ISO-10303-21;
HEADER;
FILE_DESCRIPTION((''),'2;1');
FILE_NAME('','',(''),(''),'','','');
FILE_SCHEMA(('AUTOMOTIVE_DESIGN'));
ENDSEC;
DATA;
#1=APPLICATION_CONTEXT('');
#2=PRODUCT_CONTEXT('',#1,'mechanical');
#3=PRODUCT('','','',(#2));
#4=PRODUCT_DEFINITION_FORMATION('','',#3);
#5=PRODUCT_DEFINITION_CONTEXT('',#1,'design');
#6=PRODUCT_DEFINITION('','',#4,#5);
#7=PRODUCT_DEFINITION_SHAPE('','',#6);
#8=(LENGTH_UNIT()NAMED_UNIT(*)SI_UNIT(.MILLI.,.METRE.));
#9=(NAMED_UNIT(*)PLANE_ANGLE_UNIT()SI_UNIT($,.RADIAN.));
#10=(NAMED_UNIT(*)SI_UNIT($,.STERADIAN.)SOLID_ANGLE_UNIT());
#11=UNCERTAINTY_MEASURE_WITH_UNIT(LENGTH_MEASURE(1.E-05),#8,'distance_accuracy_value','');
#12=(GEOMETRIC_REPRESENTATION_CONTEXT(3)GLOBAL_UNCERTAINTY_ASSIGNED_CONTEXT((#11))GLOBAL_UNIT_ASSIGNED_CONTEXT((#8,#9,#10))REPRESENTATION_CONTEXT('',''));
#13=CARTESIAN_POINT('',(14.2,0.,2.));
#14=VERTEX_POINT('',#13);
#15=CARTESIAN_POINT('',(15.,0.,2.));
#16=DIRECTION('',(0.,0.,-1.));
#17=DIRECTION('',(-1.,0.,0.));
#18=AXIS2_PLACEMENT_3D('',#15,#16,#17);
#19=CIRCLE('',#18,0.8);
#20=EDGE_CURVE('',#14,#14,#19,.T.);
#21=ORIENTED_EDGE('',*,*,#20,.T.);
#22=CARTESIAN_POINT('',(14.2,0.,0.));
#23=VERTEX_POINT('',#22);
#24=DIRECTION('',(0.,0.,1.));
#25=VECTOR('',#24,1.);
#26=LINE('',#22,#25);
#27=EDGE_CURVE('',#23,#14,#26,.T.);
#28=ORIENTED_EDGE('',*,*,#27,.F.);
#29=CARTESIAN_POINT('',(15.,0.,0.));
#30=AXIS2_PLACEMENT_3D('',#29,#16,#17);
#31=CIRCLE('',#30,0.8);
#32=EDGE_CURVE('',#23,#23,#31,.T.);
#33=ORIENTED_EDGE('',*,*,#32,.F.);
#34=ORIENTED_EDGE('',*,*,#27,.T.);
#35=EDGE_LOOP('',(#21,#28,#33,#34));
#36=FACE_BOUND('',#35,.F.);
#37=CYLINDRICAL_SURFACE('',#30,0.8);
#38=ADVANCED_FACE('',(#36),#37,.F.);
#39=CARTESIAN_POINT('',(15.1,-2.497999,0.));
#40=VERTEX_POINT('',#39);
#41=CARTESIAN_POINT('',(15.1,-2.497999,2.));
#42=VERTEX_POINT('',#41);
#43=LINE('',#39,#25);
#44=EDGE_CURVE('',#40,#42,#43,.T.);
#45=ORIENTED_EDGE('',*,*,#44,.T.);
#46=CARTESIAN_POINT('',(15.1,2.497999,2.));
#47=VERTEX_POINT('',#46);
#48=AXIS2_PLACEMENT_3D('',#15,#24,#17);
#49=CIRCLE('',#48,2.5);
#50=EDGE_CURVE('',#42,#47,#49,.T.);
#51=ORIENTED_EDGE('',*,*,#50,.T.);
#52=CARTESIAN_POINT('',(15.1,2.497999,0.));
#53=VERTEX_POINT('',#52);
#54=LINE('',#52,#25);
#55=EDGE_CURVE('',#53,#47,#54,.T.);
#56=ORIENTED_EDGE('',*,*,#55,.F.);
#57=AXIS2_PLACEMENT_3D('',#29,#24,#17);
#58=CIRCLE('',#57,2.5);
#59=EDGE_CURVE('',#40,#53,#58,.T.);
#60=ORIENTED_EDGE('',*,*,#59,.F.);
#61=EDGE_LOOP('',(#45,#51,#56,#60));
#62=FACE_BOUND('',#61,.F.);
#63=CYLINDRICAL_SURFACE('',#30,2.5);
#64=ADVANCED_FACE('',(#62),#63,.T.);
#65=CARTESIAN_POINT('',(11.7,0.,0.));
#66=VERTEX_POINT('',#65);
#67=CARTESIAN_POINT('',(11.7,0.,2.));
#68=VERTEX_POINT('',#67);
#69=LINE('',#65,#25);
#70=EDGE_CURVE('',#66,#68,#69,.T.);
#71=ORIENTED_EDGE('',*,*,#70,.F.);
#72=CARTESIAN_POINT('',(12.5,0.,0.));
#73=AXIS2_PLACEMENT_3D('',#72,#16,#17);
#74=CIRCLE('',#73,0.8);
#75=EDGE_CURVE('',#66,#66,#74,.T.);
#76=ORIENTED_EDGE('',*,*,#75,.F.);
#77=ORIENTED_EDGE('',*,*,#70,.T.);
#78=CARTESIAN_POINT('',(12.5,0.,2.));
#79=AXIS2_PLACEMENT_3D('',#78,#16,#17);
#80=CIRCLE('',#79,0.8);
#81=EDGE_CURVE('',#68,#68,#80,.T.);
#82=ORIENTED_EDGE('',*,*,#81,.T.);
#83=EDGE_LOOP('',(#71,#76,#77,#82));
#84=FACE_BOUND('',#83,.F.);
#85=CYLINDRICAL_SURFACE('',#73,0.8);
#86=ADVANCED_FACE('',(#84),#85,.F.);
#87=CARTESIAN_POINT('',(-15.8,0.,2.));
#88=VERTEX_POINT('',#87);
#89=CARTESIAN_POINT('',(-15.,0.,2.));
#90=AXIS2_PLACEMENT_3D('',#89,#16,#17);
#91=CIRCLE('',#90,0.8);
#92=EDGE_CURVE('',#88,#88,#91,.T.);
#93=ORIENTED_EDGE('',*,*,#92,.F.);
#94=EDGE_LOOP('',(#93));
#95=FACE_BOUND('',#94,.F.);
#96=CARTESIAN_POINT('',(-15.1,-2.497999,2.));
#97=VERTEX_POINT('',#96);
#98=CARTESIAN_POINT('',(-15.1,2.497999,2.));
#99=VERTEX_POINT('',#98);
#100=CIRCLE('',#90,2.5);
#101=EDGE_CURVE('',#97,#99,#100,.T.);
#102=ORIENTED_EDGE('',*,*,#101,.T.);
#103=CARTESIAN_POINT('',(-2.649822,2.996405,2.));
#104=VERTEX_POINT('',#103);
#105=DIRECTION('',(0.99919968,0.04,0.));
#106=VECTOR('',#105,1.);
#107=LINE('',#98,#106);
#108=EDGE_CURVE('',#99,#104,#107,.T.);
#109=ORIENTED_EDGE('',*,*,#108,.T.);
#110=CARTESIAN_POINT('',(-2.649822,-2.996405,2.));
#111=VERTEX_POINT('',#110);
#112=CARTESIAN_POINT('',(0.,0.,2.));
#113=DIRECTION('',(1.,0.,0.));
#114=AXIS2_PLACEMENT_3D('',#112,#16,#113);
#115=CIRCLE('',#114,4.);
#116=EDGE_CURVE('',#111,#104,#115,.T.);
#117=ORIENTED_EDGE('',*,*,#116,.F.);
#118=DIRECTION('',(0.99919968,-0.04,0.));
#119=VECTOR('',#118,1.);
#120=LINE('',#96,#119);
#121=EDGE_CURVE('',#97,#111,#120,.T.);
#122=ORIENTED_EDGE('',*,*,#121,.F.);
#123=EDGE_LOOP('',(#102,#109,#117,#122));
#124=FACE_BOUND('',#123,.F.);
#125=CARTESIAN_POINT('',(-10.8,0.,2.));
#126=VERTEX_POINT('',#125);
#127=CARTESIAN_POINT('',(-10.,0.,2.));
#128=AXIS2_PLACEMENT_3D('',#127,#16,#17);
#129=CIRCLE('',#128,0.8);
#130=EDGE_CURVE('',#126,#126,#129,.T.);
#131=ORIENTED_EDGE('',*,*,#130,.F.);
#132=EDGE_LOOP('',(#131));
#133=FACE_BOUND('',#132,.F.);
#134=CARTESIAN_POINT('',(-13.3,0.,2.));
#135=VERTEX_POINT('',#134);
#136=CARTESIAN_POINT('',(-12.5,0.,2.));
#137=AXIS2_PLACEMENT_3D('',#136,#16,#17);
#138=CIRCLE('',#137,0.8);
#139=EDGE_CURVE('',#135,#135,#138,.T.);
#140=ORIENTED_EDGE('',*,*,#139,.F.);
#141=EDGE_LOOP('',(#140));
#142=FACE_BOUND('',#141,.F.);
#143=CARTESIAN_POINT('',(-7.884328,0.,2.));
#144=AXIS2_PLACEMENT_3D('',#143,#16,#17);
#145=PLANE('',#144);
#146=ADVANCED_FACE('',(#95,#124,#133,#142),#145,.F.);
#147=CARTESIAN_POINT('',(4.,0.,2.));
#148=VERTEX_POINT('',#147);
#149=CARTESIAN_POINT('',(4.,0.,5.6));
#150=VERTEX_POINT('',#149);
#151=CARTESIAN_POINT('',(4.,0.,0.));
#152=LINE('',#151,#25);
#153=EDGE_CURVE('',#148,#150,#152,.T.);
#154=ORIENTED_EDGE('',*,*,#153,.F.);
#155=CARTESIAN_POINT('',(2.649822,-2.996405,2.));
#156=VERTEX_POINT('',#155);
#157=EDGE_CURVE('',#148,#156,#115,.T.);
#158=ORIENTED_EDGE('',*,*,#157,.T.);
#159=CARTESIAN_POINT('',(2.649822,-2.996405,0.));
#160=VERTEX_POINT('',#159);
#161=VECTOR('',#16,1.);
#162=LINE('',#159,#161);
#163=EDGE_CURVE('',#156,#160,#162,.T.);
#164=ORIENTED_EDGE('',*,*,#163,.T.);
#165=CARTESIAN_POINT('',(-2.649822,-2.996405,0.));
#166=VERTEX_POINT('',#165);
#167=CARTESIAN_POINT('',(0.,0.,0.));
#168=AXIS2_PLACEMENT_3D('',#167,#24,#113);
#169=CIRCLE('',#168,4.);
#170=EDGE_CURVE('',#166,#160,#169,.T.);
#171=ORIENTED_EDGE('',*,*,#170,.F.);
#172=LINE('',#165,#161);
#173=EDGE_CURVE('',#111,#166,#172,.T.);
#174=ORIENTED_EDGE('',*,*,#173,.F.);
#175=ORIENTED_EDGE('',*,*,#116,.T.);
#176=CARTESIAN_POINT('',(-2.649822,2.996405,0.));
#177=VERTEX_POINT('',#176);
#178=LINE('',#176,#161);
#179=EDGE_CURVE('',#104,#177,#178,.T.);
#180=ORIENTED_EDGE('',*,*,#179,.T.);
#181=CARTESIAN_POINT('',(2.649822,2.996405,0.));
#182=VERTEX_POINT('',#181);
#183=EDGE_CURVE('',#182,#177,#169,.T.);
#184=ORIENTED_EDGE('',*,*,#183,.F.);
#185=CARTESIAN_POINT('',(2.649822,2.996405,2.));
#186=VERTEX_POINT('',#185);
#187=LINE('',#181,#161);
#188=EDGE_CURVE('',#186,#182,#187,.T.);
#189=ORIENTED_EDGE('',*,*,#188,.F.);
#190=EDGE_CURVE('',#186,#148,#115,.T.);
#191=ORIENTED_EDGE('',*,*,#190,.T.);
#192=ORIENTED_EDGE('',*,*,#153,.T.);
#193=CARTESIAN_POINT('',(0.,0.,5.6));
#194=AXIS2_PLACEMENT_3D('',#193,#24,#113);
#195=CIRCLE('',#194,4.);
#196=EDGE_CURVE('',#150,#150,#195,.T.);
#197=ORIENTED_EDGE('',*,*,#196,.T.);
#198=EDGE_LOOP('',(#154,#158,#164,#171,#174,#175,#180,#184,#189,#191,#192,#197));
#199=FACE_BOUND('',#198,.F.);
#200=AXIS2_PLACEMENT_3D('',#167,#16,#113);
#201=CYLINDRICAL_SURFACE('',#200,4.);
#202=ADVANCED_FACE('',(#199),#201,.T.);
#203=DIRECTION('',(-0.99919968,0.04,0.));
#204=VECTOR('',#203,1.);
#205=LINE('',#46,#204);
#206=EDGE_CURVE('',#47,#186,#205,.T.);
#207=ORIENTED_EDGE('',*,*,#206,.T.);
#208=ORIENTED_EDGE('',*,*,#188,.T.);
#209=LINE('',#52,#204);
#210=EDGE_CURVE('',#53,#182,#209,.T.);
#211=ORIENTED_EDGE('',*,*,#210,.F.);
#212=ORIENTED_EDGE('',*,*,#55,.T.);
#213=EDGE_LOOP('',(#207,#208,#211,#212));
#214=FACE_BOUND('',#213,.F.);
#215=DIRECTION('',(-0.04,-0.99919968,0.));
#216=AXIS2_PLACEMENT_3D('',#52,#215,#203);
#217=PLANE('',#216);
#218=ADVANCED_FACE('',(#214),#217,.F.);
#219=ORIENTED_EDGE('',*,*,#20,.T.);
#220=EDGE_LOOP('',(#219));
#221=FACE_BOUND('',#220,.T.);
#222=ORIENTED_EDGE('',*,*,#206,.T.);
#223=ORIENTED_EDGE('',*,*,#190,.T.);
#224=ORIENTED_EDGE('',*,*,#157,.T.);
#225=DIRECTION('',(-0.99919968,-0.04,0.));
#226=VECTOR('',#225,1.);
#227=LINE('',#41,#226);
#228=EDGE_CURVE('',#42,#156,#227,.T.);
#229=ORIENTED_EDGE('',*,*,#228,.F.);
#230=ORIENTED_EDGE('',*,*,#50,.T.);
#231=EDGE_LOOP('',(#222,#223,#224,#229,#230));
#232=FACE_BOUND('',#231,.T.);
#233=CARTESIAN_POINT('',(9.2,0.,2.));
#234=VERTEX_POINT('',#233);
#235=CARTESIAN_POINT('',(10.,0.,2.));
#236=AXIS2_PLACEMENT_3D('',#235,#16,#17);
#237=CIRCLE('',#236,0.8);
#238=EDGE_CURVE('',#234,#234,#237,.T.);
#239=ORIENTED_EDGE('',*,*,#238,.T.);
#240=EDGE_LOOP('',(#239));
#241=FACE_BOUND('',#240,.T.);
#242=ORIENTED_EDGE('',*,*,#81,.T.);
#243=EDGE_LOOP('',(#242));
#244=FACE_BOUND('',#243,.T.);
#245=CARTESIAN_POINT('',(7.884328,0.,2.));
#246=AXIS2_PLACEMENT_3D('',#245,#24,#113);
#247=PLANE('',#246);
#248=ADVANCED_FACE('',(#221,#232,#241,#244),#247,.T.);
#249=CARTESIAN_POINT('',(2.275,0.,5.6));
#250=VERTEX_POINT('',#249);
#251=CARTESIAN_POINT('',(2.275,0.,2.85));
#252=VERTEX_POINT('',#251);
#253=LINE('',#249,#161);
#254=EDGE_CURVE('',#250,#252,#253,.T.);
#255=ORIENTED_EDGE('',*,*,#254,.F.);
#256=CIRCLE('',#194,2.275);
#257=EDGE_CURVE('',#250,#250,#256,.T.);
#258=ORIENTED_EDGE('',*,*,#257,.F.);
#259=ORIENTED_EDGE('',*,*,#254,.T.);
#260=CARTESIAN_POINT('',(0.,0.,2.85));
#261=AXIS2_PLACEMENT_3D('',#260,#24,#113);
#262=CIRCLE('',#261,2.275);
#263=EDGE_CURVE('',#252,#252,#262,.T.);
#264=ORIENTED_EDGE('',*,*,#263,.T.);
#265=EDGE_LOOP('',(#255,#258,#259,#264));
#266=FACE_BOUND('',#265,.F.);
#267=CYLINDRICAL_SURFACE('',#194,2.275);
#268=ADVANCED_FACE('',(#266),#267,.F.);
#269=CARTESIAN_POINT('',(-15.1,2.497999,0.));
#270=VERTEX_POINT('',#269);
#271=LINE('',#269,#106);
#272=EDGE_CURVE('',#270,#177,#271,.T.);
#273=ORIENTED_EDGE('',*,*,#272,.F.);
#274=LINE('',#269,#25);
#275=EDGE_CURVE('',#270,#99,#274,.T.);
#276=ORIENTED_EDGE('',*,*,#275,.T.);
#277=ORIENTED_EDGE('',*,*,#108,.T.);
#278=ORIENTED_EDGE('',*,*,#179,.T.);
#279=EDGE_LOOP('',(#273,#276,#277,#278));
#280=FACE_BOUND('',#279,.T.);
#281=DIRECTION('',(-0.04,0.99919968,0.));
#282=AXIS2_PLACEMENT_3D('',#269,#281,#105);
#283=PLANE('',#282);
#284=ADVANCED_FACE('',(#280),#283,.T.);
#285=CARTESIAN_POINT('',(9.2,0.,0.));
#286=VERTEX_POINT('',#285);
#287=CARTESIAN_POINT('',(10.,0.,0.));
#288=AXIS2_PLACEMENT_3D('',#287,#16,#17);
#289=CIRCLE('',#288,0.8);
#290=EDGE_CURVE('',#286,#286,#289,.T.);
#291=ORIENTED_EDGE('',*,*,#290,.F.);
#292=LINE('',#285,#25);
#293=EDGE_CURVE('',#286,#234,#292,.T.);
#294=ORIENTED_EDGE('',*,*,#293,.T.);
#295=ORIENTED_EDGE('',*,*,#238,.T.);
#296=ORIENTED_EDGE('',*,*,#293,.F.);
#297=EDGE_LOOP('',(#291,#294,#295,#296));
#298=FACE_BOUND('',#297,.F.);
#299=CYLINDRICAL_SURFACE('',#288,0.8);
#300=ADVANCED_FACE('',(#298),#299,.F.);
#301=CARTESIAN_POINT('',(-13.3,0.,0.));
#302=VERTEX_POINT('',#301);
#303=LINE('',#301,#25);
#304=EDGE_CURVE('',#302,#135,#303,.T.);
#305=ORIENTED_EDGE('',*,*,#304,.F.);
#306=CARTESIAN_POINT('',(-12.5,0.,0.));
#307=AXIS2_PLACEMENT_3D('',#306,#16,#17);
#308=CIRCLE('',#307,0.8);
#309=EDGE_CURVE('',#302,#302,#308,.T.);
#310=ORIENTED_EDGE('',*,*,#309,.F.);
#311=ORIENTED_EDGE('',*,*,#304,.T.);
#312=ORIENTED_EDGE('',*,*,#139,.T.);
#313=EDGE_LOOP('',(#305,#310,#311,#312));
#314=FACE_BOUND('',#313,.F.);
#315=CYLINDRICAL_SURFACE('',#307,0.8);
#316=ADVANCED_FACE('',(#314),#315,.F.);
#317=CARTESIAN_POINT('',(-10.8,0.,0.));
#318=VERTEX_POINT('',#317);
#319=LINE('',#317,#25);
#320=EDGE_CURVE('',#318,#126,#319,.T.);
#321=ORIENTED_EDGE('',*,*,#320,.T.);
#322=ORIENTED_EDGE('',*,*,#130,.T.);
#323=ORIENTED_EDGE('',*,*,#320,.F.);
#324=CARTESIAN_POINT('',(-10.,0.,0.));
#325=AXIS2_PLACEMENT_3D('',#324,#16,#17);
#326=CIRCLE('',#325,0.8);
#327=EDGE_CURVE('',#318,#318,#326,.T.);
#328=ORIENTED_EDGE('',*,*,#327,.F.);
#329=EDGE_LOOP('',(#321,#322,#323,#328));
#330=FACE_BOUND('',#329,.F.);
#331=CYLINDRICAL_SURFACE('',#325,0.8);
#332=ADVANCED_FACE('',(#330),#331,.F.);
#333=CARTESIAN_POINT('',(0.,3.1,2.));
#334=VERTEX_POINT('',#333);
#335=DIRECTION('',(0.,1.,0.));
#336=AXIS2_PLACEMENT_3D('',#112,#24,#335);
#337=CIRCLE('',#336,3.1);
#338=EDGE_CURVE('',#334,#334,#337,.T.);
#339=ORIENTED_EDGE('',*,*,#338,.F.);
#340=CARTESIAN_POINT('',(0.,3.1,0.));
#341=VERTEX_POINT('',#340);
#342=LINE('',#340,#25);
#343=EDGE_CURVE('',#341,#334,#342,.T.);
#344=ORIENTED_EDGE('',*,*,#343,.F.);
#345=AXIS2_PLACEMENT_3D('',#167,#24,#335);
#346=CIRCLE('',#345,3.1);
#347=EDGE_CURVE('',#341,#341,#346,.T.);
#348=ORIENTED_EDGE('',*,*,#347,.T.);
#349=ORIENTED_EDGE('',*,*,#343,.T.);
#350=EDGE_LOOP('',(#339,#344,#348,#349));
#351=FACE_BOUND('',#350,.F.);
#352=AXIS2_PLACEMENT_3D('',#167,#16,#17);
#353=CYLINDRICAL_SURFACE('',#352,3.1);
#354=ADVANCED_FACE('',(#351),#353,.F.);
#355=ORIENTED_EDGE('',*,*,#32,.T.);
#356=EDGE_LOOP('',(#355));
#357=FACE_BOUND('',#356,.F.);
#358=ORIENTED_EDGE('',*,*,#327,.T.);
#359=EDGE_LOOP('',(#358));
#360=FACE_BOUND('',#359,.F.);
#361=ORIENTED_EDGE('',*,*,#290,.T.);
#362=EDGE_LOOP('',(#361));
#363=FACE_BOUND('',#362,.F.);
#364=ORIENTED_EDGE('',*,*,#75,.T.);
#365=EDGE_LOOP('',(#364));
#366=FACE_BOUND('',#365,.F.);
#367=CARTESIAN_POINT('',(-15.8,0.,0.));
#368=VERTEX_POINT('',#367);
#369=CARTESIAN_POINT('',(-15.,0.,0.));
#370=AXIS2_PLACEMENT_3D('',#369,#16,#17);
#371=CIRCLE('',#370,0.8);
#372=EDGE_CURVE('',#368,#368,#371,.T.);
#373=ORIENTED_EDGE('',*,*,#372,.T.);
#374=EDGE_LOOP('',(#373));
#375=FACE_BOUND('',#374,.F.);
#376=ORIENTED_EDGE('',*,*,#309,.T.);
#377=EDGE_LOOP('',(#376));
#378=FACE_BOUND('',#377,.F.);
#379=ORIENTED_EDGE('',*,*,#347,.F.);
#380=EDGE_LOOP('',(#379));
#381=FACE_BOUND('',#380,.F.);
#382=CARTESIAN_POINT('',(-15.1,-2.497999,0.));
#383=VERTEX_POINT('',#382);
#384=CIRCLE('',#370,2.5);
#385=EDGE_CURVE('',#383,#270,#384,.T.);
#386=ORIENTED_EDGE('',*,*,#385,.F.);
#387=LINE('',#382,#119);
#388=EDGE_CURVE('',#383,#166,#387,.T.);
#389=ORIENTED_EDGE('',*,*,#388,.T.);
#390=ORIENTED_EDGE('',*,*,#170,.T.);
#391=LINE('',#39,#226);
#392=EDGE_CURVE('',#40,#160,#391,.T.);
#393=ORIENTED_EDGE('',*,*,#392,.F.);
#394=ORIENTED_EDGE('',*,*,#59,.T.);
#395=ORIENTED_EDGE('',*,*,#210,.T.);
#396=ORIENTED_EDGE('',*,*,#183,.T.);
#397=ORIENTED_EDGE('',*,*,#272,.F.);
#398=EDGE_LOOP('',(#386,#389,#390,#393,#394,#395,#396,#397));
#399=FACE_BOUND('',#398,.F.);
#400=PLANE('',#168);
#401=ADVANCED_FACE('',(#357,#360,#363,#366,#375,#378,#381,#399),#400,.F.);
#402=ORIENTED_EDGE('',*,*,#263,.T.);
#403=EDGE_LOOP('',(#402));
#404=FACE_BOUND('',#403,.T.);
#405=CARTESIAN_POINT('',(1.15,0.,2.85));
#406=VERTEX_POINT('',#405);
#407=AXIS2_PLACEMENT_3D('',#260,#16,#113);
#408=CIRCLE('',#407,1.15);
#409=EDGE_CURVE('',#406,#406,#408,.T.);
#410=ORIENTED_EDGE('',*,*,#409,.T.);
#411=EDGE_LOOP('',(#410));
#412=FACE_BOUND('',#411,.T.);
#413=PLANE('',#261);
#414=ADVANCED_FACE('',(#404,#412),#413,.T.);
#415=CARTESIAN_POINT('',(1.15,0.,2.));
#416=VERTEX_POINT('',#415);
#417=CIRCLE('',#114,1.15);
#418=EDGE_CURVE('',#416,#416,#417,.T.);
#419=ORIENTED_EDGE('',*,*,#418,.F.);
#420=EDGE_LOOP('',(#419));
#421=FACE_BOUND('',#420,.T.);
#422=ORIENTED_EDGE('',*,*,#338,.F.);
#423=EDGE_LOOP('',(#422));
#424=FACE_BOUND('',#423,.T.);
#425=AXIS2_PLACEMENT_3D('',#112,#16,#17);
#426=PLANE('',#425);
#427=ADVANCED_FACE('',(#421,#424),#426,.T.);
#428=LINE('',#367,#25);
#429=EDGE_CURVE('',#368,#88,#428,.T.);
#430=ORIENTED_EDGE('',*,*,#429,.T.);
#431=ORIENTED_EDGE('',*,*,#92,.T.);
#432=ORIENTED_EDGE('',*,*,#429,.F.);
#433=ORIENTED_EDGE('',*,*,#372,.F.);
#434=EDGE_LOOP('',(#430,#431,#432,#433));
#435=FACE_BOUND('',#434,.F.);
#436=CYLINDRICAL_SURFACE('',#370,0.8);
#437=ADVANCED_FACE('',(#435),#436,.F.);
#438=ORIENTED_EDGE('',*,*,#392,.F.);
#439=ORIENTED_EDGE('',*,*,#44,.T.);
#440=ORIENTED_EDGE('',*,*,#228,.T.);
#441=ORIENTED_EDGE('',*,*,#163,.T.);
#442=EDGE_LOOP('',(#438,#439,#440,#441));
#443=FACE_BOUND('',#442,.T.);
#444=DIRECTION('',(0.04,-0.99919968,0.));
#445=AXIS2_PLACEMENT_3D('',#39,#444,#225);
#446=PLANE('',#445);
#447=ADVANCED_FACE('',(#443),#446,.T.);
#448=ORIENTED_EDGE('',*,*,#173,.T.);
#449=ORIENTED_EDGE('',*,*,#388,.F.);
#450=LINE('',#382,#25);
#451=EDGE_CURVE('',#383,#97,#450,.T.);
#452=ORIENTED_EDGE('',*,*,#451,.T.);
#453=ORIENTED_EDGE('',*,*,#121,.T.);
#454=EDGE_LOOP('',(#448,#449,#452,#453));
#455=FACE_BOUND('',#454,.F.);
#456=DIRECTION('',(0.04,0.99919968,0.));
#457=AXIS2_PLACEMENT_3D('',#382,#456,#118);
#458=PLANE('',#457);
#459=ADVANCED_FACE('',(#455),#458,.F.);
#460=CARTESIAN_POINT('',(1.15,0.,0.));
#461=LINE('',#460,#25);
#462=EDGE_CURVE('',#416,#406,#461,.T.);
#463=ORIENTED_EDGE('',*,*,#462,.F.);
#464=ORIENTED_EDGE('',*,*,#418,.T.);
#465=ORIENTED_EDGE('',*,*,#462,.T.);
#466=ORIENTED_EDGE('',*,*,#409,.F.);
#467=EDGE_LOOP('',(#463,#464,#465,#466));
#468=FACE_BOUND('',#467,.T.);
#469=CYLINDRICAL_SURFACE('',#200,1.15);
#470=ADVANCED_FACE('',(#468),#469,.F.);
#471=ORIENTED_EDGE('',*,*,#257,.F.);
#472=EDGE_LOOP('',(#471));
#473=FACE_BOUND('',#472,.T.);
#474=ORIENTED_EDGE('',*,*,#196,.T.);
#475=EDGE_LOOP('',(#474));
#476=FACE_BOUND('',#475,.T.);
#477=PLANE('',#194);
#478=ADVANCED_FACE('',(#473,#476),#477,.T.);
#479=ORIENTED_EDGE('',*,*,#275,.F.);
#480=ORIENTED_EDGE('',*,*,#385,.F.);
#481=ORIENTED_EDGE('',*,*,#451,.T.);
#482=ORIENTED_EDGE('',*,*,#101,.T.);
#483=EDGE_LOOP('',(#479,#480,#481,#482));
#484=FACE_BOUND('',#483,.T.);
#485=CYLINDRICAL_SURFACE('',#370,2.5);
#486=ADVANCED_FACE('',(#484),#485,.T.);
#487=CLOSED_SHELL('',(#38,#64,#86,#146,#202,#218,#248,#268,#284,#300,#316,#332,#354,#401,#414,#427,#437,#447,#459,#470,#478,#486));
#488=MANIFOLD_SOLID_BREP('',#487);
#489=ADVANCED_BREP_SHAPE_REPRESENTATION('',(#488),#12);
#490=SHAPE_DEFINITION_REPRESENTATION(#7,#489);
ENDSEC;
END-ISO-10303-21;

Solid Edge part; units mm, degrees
sketch "Sketch1" plane through (0, 0, 0) normal (0, 0, 1) x (1, 0, 0)
  circle A0 centre (0, 0) radius 4
  circle A1 centre (0, 0) radius 1.15
  dimension "D1" = 2.3
extrude "Protrusion1" add sketch "Sketch1" along normal blind 5.6
sketch "Sketch2" plane through (0, 0, 5.6) normal (0, 0, 1) x (1, 0, 0)
  circle A0 centre (0, 0) radius 2.275
  dimension "D1" = 4.55
extrude "ExtrudedCutout_1" cut sketch "Sketch2" against normal blind 2.75
sketch "Sketch3" plane through (0, 0, 0) normal (0, 0, -1) x (0, 1, 0)
  circle A0 centre (0, 0) radius 3.1
  dimension "D1" = 6.2
extrude "ExtrudedCutout_2" cut sketch "Sketch3" against normal blind 2
sketch "Sketch4" plane through (0, 0, 0) normal (0, 0, -1) x (-1, 0, 0)
  circle A0 centre (-10, 0) radius 0.8
  circle A1 centre (10, 0) radius 0.8
  circle A2 centre (12.5, 0) radius 0.8
  circle A3 centre (15, 0) radius 0.8
  circle A4 centre (-12.5, 0) radius 0.8
  circle A5 centre (-15, 0) radius 0.8
  line L0 (-15.1, 2.498) -> (-0.124, 3.0975)
  arc A6 (-0.124, 3.0975) -> (-0.124, -3.0975) centre (0, 0) ccw
  line L1 (-15.1, -2.498) -> (-0.124, -3.0975)
  arc A7 (-15.1, -2.498) -> (-15.1, 2.498) centre (-15, 0) cw
  line L2 (15.1, 2.498) -> (0.124, 3.0975)
  arc A8 (0.124, -3.0975) -> (0.124, 3.0975) centre (0, 0) ccw
  line L3 (15.1, -2.498) -> (0.124, -3.0975)
  arc A9 (15.1, -2.498) -> (15.1, 2.498) centre (15, 0) ccw
extrude "ExtrudedProtrusion_2" add sketch "Sketch4" against normal blind 2
